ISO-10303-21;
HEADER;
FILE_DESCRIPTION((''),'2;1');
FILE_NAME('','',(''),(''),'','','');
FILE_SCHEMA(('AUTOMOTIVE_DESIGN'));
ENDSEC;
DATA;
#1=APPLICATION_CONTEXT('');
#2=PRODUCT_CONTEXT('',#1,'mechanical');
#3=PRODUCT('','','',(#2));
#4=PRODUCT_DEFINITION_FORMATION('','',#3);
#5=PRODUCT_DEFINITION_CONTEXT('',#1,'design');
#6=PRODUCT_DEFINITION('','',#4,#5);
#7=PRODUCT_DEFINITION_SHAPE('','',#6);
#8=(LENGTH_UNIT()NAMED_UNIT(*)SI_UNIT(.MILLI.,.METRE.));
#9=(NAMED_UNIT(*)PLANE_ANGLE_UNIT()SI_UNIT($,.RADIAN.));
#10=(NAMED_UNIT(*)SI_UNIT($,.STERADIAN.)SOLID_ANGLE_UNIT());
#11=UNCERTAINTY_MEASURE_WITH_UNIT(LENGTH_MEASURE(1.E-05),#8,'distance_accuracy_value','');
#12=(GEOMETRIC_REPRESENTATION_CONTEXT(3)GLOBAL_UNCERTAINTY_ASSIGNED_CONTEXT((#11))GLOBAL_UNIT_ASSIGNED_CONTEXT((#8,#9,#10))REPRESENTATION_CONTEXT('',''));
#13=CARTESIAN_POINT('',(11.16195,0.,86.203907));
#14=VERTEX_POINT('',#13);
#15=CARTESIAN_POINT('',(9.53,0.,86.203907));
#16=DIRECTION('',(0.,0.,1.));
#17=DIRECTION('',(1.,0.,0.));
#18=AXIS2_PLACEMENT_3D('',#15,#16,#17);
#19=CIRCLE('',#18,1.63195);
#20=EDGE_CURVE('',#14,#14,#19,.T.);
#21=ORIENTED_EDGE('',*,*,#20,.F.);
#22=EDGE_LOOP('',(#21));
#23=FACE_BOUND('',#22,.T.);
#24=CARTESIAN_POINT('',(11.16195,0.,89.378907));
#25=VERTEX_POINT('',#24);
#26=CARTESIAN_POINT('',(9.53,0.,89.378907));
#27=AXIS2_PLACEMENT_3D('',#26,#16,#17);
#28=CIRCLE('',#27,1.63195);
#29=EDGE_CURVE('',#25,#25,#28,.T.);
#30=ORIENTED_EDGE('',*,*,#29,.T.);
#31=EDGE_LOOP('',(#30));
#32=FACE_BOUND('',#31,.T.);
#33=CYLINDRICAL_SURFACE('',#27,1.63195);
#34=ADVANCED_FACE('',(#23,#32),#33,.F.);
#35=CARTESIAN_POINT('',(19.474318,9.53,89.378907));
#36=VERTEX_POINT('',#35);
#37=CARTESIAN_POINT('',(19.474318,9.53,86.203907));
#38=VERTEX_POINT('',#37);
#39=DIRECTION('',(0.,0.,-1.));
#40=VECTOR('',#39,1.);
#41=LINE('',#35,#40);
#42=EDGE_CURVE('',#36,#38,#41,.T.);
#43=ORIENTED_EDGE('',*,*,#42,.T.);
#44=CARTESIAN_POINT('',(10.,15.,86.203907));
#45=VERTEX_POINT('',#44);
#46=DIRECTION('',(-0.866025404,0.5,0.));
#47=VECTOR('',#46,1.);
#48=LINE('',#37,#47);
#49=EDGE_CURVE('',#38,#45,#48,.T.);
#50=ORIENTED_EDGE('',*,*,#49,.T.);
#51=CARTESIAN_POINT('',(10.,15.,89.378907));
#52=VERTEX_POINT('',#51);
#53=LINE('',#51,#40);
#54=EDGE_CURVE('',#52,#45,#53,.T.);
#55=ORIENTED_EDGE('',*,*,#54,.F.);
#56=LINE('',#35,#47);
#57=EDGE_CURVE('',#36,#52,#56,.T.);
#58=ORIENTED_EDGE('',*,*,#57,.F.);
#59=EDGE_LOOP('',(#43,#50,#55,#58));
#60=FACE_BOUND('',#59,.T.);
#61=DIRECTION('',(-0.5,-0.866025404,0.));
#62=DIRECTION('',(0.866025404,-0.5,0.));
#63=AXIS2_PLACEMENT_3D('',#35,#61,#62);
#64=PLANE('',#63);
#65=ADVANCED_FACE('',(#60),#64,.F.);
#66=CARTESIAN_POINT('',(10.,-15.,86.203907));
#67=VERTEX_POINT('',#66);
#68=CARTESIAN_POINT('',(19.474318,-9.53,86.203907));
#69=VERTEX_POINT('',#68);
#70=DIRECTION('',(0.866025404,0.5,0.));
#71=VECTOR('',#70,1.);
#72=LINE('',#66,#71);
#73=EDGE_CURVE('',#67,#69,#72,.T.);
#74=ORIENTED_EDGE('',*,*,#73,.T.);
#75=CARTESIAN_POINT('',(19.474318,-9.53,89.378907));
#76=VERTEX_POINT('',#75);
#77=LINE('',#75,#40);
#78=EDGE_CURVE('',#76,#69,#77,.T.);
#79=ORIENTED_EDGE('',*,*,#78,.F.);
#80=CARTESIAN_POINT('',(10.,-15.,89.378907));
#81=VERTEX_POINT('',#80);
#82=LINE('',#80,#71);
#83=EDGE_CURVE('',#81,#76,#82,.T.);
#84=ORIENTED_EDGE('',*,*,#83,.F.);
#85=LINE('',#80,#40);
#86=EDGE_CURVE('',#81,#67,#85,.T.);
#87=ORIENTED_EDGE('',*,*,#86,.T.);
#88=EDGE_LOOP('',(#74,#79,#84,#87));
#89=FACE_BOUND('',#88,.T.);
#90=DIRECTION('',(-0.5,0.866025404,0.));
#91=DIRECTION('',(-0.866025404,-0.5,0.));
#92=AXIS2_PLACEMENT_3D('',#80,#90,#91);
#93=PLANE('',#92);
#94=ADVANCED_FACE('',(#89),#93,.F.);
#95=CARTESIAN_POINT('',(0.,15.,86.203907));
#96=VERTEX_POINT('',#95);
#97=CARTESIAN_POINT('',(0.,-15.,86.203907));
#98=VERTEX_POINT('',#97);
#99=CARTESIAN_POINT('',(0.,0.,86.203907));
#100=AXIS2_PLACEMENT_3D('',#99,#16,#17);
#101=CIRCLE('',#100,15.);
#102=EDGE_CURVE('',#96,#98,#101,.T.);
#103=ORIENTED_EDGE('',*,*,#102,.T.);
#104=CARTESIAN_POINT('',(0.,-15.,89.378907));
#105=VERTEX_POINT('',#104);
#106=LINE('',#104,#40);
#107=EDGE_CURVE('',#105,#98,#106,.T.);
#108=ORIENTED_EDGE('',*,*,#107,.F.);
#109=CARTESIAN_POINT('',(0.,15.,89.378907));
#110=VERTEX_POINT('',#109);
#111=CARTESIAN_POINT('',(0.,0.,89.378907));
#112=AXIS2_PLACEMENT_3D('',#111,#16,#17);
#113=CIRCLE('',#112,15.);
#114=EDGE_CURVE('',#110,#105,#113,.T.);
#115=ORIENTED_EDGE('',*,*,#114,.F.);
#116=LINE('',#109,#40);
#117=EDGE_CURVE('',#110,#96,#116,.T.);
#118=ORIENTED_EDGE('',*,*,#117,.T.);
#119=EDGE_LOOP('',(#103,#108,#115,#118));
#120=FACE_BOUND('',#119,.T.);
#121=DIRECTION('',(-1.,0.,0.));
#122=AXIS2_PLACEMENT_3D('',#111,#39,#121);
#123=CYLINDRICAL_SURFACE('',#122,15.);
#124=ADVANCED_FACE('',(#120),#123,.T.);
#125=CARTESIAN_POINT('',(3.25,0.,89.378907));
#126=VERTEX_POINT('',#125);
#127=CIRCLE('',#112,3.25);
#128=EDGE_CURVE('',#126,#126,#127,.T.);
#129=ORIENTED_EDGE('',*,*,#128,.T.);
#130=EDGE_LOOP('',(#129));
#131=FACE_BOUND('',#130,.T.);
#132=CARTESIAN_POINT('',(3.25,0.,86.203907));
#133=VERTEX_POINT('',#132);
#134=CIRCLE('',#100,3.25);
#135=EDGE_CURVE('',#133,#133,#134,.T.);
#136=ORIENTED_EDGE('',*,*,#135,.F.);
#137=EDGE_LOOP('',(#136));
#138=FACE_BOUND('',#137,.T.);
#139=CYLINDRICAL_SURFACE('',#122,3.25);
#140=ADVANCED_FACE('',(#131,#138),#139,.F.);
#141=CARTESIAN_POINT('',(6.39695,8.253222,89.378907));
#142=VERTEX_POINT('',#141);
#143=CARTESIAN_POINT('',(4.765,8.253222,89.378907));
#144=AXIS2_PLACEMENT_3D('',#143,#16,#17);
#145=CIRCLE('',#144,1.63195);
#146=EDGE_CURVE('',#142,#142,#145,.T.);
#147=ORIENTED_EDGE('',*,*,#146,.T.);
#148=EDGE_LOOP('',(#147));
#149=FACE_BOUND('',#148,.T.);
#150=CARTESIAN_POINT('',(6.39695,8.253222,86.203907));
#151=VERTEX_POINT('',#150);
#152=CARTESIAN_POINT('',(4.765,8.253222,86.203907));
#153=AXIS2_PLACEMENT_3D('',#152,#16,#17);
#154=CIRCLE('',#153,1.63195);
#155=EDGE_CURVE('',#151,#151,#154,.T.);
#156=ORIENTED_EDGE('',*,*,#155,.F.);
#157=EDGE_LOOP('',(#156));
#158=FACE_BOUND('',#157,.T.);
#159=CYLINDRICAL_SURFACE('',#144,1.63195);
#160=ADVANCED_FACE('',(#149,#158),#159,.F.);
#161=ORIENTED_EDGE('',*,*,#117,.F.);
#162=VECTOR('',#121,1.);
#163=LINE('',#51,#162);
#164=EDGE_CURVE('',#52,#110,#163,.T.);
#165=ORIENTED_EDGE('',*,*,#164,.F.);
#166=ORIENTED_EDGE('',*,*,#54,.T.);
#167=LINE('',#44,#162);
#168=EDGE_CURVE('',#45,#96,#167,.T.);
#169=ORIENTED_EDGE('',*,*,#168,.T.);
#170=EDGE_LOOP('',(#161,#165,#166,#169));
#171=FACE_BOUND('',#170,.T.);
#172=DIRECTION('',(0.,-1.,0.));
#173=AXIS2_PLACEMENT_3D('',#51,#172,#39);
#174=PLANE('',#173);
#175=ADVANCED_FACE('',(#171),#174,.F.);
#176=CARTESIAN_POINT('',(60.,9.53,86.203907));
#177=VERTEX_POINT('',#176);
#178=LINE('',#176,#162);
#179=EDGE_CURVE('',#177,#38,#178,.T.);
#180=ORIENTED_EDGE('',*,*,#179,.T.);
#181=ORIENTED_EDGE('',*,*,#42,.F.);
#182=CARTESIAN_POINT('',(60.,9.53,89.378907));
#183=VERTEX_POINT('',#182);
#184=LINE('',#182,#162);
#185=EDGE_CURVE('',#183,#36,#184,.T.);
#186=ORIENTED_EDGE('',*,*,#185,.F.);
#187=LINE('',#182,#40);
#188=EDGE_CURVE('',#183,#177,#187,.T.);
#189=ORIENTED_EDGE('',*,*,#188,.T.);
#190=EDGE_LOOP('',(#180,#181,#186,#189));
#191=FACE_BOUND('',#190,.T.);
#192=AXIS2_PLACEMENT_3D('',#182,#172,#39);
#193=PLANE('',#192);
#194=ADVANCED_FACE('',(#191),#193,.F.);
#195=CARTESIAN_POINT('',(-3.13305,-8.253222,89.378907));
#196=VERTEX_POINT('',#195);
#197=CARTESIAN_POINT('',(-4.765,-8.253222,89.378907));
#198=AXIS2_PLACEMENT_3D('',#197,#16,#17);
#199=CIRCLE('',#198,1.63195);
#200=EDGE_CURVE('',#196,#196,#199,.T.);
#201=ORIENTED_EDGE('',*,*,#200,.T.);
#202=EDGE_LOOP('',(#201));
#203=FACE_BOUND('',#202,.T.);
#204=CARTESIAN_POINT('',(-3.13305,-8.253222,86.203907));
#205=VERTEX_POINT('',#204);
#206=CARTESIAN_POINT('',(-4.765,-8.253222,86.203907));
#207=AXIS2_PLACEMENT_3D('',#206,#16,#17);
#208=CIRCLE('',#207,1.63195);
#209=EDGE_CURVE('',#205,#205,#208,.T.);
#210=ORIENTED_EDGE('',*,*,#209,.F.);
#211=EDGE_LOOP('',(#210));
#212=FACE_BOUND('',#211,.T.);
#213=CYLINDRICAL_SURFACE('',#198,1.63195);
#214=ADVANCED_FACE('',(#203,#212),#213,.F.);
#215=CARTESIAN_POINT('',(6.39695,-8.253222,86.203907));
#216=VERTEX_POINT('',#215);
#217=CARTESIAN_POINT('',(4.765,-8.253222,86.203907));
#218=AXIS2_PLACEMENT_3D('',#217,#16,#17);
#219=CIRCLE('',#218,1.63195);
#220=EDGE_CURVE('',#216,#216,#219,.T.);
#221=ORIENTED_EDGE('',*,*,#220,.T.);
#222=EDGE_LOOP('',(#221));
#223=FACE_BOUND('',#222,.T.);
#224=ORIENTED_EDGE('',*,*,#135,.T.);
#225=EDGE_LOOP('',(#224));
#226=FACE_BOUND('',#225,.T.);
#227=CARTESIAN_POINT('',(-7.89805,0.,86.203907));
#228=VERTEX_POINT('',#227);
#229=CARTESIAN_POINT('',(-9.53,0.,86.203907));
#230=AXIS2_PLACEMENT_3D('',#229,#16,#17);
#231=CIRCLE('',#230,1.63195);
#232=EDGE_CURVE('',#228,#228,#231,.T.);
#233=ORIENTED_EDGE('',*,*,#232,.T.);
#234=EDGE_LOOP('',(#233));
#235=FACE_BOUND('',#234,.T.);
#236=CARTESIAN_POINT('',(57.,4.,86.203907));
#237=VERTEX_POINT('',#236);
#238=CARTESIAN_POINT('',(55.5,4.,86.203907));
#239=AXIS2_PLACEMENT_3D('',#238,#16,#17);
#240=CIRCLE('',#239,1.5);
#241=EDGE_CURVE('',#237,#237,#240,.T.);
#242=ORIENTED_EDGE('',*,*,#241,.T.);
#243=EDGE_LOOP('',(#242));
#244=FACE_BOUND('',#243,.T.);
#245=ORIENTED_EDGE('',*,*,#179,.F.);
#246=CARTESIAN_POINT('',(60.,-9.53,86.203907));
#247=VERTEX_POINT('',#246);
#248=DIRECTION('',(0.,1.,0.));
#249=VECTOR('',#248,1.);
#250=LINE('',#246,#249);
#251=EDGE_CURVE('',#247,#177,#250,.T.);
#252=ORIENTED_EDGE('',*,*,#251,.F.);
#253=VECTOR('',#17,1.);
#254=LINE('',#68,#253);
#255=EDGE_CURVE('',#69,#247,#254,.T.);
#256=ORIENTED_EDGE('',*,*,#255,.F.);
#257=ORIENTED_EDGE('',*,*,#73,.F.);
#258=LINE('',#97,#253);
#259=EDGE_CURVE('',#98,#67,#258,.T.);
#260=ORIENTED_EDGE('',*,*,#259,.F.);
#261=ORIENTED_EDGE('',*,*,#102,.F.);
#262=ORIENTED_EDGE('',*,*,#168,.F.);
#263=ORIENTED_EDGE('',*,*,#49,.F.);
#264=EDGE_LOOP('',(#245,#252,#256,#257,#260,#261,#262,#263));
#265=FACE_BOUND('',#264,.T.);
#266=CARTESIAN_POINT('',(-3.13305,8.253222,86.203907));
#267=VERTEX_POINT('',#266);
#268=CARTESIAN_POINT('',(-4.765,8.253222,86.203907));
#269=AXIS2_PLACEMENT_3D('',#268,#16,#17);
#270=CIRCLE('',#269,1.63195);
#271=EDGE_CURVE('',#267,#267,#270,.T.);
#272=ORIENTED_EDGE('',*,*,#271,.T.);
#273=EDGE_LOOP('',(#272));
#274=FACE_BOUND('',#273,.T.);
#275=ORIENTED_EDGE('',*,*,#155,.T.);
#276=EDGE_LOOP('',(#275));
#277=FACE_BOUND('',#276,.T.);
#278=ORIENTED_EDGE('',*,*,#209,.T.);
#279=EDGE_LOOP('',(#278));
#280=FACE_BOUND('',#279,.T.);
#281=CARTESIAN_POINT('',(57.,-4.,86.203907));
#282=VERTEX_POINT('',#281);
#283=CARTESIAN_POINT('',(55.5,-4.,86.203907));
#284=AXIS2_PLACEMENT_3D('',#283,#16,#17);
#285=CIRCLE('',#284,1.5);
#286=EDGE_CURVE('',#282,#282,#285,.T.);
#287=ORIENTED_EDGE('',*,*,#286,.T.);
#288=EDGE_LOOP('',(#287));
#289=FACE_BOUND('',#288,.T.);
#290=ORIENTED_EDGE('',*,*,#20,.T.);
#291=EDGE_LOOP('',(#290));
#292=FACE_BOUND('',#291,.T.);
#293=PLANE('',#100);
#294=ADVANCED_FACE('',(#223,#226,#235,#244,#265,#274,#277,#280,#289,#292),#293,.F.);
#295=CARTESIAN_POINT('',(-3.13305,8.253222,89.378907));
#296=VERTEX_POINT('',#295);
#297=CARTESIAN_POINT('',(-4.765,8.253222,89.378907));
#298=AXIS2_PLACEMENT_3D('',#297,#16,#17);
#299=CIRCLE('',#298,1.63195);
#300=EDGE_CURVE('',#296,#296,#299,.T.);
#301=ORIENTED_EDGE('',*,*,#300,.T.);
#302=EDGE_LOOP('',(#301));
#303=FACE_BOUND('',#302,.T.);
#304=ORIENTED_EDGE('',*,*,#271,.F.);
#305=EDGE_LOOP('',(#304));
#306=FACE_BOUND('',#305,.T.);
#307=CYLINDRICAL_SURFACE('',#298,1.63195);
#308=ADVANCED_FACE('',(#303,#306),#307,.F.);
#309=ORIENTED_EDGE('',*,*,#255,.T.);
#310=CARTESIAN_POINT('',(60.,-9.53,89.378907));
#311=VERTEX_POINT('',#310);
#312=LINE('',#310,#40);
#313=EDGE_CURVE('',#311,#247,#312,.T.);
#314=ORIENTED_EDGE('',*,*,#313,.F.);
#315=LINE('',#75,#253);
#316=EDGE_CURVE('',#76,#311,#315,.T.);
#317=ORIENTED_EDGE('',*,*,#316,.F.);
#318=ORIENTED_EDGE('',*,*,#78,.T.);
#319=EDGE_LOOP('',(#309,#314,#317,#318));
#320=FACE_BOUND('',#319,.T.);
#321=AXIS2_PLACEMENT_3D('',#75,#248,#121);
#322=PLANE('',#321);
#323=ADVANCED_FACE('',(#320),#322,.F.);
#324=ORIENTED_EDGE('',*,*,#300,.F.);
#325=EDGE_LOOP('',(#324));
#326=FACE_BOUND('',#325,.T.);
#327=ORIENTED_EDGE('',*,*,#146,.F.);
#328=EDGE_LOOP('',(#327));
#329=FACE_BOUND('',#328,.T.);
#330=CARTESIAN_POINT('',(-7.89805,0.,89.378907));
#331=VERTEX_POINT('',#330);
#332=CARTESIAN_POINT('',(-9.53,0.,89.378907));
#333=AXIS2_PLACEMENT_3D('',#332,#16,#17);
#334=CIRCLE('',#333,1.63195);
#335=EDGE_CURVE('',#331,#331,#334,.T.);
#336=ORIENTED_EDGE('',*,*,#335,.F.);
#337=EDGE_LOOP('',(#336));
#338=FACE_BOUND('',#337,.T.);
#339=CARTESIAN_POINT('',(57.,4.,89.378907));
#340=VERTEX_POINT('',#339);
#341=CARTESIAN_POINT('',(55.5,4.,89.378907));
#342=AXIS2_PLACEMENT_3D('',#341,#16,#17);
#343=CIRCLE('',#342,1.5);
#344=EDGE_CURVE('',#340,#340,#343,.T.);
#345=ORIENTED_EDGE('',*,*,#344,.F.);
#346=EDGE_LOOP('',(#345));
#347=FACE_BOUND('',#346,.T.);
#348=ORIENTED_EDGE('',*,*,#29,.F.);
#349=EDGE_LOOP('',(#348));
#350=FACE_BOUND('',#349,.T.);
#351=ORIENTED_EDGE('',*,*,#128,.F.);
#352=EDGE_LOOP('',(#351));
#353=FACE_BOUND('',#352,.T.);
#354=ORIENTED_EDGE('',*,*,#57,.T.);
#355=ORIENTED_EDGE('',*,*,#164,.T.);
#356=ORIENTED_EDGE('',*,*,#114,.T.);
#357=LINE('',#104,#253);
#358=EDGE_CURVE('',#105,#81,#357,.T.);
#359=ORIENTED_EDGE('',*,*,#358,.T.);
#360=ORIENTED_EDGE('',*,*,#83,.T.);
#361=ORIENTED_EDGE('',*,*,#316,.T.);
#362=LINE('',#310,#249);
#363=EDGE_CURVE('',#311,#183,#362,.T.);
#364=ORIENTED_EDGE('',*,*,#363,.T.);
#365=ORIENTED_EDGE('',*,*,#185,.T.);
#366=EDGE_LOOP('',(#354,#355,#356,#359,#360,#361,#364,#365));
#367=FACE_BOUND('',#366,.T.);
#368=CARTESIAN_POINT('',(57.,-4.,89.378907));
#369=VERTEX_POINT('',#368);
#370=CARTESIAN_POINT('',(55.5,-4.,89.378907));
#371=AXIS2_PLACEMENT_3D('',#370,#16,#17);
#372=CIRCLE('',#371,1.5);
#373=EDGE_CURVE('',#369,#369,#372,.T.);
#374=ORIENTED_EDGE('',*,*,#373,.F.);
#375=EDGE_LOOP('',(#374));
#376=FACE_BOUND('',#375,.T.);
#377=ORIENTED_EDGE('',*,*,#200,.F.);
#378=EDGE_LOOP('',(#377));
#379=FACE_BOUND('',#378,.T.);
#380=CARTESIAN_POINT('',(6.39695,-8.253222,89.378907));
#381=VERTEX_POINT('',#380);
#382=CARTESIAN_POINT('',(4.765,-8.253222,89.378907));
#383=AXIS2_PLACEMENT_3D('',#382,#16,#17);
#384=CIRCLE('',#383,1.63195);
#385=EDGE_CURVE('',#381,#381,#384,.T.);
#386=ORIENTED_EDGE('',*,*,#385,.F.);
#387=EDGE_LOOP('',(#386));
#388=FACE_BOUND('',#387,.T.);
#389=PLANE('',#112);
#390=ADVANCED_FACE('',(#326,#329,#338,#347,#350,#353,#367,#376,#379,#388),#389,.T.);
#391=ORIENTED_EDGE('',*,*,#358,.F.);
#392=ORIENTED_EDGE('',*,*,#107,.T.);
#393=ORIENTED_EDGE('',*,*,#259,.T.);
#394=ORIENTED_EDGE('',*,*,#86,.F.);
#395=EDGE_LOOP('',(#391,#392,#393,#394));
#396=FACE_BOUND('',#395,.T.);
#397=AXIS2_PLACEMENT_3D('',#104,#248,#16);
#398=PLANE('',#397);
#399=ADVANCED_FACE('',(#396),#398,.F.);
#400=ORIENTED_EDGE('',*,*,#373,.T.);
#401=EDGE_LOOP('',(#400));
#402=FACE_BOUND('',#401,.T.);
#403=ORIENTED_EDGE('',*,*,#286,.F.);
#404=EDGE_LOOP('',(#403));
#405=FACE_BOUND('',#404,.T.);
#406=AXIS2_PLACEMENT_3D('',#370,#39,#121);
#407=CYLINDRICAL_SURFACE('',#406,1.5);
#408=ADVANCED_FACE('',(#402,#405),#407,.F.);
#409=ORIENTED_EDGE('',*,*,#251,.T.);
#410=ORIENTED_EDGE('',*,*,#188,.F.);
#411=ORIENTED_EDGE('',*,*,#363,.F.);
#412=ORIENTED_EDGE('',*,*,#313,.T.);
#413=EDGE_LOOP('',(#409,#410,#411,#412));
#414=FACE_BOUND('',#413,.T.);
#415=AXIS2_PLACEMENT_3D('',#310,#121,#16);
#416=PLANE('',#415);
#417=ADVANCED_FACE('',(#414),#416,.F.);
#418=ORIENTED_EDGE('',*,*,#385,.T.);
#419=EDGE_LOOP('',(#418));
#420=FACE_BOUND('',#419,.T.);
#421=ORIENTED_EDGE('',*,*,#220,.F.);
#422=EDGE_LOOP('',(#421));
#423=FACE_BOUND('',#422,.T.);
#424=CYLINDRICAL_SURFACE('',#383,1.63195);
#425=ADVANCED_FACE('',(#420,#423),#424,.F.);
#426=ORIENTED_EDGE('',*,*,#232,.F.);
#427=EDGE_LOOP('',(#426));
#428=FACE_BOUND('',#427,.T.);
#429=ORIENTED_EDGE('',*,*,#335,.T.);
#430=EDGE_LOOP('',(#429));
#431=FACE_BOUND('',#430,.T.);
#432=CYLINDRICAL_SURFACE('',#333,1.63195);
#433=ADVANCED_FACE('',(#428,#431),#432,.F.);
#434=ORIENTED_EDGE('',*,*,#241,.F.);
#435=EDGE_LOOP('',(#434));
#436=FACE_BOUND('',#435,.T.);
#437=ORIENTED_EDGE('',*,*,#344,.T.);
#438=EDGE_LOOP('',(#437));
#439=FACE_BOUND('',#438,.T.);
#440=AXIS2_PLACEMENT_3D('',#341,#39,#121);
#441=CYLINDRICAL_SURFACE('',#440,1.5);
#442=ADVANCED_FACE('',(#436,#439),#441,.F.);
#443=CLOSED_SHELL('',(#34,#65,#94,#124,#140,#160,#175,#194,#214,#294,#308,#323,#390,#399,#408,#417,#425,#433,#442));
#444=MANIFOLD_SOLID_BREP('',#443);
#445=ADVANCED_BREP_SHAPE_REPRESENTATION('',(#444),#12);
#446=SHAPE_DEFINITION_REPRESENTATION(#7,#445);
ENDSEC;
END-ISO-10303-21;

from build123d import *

# Parameters (mm, degrees)
CROQUIS1_R                      = 1.5
CROQUIS1_R_2                    = 3.25
SALIENTE_EXTRUIR1_DEPTH         = 3.175
TALADRO_DE_MARGEN_PARA_41_D     = 3.2639
TALADRO_DE_MARGEN_PARA_41_DEPTH = 10
TALADRO_DE_MARGEN_PARA_41_TIP   = 0.980574487


with BuildPart() as part:
    # Croquis1 → Saliente-Extruir1 (new body)
    with BuildSketch(Plane.XY.offset(86.203907482)):
        with BuildLine():
            Line((0, -15), (10, -15))
            Line((10, -15), (19.474317917, -9.53))
            Line((19.474317917, -9.53), (60, -9.53))
            Line((60, -9.53), (60, 9.53))
            Line((60, 9.53), (19.474317917, 9.53))
            Line((19.474317917, 9.53), (10, 15))
            Line((10, 15), (0, 15))
            ThreePointArc((0, 15), (-15, 0), (0, -15))
        make_face()
        with Locations((55.5, 4)):
            Circle(CROQUIS1_R, mode=Mode.SUBTRACT)
        Circle(CROQUIS1_R_2, mode=Mode.SUBTRACT)
        with Locations((55.5, -4)):
            Circle(CROQUIS1_R, mode=Mode.SUBTRACT)
    extrude(amount=SALIENTE_EXTRUIR1_DEPTH)

    # Taladro de margen para #41
    with Locations(Plane.XY.offset(89.378907482)):
        with Locations((4.765, 8.253222098), (9.53, 0), (4.765, -8.253222098), (-4.765, -8.253222098), (-9.53, 0), (-4.765, 8.253222098)):
            Hole(TALADRO_DE_MARGEN_PARA_41_D / 2, depth=TALADRO_DE_MARGEN_PARA_41_DEPTH)
            with Locations((0, 0, -(TALADRO_DE_MARGEN_PARA_41_DEPTH + TALADRO_DE_MARGEN_PARA_41_TIP / 2))):  # 118° drill point
                Cone(0, TALADRO_DE_MARGEN_PARA_41_D / 2, TALADRO_DE_MARGEN_PARA_41_TIP, mode=Mode.SUBTRACT)


solid = part.part
